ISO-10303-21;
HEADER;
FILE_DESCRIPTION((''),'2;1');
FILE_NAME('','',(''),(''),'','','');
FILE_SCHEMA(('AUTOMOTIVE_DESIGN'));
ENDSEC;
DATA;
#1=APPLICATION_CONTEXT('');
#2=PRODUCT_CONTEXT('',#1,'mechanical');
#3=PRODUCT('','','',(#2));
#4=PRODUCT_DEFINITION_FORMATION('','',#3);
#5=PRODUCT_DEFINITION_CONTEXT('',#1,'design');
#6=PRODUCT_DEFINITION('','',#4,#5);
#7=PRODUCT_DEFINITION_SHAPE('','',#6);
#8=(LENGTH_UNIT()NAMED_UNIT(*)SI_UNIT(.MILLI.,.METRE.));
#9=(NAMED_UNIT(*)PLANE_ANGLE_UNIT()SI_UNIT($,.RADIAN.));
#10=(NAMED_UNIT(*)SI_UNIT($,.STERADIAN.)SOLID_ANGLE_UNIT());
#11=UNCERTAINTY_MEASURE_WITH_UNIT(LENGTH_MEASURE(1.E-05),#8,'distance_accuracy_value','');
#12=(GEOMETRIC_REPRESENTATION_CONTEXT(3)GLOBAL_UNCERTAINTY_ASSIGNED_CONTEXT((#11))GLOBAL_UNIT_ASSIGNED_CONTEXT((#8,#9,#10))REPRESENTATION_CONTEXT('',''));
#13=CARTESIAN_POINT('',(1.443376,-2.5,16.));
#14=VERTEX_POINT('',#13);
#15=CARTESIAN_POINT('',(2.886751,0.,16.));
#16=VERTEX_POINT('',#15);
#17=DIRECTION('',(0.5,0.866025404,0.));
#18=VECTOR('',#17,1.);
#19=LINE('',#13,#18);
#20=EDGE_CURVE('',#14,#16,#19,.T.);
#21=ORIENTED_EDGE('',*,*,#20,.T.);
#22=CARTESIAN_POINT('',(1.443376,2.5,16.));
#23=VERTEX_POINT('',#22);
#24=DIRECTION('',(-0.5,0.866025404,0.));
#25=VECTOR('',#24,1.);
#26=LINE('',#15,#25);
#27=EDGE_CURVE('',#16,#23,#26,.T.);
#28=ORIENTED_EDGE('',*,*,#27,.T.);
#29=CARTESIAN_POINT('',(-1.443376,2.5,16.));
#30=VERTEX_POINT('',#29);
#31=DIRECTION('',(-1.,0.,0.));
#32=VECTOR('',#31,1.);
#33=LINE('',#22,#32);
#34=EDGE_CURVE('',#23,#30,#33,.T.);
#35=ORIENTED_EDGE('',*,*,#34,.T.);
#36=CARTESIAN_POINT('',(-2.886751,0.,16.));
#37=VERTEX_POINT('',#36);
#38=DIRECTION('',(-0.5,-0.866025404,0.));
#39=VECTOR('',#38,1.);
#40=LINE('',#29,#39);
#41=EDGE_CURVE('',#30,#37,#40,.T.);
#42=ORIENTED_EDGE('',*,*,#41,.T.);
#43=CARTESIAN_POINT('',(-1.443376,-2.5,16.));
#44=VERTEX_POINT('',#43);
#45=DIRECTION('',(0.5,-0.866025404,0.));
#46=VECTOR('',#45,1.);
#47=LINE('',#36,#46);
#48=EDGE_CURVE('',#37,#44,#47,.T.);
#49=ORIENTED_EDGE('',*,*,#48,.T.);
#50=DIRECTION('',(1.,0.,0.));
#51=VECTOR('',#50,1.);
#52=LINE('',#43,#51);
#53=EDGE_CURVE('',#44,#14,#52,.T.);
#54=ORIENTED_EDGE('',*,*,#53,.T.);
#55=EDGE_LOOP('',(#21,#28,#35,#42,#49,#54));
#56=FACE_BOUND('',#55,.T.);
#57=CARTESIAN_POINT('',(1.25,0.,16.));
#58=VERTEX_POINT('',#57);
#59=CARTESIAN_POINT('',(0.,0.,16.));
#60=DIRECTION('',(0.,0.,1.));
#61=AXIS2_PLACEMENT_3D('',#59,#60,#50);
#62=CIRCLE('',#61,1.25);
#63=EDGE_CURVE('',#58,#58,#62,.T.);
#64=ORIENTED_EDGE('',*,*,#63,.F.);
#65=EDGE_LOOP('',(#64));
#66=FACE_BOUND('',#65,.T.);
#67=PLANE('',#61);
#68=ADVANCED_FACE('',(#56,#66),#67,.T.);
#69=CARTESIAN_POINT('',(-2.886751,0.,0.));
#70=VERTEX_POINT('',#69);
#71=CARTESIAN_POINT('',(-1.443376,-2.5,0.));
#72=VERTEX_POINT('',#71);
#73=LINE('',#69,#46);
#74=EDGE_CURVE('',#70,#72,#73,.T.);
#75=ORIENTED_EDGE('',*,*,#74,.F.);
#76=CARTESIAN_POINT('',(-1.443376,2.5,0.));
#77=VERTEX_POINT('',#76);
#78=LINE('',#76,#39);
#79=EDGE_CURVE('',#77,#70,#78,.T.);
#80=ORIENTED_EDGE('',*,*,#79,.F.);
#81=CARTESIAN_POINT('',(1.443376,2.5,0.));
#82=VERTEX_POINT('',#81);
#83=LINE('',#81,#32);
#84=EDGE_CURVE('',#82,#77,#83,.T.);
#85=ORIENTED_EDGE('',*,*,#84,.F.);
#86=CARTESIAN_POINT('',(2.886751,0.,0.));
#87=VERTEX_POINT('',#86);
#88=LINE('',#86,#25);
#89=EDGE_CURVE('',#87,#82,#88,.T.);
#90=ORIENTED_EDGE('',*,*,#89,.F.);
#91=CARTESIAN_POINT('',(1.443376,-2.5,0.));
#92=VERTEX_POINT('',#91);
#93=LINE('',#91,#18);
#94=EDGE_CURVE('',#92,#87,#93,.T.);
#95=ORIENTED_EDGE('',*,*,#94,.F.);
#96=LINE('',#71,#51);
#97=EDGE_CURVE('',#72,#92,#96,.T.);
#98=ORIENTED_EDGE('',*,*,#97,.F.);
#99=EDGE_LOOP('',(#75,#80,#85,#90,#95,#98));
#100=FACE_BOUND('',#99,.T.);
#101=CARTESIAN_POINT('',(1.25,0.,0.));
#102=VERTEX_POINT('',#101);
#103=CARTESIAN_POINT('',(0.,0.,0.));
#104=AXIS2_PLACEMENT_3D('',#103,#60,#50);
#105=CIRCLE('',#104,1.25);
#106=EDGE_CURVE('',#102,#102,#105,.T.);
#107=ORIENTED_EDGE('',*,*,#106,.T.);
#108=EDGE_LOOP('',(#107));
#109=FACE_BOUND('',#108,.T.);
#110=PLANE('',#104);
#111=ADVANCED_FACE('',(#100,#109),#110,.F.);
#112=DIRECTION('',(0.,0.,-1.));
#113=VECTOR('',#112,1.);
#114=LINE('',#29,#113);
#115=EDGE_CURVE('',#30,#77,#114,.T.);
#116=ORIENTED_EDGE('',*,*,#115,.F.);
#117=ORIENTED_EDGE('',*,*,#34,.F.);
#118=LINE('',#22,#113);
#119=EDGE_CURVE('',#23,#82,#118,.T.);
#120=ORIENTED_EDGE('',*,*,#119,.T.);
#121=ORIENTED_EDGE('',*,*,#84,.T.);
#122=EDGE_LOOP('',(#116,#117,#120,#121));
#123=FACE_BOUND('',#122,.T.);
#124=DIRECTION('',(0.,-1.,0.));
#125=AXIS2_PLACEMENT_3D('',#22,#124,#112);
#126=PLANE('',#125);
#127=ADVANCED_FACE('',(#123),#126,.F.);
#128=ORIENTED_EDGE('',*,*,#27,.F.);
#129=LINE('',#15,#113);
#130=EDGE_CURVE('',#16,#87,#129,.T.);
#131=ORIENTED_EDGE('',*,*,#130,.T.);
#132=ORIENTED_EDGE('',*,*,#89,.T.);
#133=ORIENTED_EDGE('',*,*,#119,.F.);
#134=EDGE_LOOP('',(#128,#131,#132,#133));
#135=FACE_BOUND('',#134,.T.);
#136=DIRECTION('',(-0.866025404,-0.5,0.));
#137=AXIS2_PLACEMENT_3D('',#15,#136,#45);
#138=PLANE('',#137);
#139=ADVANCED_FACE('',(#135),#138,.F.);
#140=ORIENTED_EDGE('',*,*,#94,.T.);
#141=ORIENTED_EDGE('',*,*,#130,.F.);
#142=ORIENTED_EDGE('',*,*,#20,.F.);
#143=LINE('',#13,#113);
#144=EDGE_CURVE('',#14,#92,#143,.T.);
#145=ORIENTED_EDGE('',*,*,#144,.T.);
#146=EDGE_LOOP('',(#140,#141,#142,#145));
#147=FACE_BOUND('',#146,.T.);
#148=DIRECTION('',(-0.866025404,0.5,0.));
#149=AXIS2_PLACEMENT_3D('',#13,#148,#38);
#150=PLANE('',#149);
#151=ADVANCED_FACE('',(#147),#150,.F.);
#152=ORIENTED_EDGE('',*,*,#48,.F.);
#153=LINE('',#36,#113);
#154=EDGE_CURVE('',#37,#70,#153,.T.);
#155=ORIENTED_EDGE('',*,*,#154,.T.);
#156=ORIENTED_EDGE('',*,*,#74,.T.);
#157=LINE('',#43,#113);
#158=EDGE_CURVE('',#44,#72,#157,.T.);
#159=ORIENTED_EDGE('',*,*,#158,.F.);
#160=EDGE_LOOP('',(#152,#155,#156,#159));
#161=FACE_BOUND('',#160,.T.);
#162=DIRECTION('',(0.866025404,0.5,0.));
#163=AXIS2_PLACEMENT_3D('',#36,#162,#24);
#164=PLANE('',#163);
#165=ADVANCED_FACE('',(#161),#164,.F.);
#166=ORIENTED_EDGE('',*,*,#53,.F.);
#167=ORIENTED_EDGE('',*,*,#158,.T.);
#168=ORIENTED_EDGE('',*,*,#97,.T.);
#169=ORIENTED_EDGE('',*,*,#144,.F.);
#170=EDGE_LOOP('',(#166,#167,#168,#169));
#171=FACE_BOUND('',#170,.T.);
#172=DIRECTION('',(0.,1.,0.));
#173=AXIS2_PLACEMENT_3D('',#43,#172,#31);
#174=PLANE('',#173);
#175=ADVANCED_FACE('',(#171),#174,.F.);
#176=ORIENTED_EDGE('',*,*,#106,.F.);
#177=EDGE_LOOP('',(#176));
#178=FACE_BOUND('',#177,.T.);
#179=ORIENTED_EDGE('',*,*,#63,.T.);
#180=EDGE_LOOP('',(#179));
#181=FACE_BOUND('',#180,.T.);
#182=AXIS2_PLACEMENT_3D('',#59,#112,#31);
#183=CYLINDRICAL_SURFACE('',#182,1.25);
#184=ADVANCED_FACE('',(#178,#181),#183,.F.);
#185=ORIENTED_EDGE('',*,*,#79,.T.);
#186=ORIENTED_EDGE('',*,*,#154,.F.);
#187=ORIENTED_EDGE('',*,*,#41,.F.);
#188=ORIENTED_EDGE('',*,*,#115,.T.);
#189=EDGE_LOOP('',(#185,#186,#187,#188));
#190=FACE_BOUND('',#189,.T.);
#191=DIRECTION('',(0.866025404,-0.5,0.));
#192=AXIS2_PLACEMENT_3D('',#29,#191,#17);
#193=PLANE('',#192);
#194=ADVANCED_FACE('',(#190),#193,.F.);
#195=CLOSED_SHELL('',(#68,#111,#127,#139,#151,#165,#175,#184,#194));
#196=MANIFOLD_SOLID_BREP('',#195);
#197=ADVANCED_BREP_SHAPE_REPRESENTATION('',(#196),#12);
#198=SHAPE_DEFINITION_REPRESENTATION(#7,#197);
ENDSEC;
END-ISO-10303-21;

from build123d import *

# Parameters (mm, degrees)
SKETCH1_R           = 1.25
BOSS_EXTRUDE1_DEPTH = 16


with BuildPart() as part:
    # Sketch1 → Boss-Extrude1 (new body)
    with BuildSketch(Plane.XY):
        Polygon((2.886751346, 0), (1.443375673, 2.5), (-1.443375673, 2.5), (-2.886751346, 0), (-1.443375673, -2.5), (1.443375673, -2.5), align=None)
        Circle(SKETCH1_R, mode=Mode.SUBTRACT)
    extrude(amount=BOSS_EXTRUDE1_DEPTH)


solid = part.part
